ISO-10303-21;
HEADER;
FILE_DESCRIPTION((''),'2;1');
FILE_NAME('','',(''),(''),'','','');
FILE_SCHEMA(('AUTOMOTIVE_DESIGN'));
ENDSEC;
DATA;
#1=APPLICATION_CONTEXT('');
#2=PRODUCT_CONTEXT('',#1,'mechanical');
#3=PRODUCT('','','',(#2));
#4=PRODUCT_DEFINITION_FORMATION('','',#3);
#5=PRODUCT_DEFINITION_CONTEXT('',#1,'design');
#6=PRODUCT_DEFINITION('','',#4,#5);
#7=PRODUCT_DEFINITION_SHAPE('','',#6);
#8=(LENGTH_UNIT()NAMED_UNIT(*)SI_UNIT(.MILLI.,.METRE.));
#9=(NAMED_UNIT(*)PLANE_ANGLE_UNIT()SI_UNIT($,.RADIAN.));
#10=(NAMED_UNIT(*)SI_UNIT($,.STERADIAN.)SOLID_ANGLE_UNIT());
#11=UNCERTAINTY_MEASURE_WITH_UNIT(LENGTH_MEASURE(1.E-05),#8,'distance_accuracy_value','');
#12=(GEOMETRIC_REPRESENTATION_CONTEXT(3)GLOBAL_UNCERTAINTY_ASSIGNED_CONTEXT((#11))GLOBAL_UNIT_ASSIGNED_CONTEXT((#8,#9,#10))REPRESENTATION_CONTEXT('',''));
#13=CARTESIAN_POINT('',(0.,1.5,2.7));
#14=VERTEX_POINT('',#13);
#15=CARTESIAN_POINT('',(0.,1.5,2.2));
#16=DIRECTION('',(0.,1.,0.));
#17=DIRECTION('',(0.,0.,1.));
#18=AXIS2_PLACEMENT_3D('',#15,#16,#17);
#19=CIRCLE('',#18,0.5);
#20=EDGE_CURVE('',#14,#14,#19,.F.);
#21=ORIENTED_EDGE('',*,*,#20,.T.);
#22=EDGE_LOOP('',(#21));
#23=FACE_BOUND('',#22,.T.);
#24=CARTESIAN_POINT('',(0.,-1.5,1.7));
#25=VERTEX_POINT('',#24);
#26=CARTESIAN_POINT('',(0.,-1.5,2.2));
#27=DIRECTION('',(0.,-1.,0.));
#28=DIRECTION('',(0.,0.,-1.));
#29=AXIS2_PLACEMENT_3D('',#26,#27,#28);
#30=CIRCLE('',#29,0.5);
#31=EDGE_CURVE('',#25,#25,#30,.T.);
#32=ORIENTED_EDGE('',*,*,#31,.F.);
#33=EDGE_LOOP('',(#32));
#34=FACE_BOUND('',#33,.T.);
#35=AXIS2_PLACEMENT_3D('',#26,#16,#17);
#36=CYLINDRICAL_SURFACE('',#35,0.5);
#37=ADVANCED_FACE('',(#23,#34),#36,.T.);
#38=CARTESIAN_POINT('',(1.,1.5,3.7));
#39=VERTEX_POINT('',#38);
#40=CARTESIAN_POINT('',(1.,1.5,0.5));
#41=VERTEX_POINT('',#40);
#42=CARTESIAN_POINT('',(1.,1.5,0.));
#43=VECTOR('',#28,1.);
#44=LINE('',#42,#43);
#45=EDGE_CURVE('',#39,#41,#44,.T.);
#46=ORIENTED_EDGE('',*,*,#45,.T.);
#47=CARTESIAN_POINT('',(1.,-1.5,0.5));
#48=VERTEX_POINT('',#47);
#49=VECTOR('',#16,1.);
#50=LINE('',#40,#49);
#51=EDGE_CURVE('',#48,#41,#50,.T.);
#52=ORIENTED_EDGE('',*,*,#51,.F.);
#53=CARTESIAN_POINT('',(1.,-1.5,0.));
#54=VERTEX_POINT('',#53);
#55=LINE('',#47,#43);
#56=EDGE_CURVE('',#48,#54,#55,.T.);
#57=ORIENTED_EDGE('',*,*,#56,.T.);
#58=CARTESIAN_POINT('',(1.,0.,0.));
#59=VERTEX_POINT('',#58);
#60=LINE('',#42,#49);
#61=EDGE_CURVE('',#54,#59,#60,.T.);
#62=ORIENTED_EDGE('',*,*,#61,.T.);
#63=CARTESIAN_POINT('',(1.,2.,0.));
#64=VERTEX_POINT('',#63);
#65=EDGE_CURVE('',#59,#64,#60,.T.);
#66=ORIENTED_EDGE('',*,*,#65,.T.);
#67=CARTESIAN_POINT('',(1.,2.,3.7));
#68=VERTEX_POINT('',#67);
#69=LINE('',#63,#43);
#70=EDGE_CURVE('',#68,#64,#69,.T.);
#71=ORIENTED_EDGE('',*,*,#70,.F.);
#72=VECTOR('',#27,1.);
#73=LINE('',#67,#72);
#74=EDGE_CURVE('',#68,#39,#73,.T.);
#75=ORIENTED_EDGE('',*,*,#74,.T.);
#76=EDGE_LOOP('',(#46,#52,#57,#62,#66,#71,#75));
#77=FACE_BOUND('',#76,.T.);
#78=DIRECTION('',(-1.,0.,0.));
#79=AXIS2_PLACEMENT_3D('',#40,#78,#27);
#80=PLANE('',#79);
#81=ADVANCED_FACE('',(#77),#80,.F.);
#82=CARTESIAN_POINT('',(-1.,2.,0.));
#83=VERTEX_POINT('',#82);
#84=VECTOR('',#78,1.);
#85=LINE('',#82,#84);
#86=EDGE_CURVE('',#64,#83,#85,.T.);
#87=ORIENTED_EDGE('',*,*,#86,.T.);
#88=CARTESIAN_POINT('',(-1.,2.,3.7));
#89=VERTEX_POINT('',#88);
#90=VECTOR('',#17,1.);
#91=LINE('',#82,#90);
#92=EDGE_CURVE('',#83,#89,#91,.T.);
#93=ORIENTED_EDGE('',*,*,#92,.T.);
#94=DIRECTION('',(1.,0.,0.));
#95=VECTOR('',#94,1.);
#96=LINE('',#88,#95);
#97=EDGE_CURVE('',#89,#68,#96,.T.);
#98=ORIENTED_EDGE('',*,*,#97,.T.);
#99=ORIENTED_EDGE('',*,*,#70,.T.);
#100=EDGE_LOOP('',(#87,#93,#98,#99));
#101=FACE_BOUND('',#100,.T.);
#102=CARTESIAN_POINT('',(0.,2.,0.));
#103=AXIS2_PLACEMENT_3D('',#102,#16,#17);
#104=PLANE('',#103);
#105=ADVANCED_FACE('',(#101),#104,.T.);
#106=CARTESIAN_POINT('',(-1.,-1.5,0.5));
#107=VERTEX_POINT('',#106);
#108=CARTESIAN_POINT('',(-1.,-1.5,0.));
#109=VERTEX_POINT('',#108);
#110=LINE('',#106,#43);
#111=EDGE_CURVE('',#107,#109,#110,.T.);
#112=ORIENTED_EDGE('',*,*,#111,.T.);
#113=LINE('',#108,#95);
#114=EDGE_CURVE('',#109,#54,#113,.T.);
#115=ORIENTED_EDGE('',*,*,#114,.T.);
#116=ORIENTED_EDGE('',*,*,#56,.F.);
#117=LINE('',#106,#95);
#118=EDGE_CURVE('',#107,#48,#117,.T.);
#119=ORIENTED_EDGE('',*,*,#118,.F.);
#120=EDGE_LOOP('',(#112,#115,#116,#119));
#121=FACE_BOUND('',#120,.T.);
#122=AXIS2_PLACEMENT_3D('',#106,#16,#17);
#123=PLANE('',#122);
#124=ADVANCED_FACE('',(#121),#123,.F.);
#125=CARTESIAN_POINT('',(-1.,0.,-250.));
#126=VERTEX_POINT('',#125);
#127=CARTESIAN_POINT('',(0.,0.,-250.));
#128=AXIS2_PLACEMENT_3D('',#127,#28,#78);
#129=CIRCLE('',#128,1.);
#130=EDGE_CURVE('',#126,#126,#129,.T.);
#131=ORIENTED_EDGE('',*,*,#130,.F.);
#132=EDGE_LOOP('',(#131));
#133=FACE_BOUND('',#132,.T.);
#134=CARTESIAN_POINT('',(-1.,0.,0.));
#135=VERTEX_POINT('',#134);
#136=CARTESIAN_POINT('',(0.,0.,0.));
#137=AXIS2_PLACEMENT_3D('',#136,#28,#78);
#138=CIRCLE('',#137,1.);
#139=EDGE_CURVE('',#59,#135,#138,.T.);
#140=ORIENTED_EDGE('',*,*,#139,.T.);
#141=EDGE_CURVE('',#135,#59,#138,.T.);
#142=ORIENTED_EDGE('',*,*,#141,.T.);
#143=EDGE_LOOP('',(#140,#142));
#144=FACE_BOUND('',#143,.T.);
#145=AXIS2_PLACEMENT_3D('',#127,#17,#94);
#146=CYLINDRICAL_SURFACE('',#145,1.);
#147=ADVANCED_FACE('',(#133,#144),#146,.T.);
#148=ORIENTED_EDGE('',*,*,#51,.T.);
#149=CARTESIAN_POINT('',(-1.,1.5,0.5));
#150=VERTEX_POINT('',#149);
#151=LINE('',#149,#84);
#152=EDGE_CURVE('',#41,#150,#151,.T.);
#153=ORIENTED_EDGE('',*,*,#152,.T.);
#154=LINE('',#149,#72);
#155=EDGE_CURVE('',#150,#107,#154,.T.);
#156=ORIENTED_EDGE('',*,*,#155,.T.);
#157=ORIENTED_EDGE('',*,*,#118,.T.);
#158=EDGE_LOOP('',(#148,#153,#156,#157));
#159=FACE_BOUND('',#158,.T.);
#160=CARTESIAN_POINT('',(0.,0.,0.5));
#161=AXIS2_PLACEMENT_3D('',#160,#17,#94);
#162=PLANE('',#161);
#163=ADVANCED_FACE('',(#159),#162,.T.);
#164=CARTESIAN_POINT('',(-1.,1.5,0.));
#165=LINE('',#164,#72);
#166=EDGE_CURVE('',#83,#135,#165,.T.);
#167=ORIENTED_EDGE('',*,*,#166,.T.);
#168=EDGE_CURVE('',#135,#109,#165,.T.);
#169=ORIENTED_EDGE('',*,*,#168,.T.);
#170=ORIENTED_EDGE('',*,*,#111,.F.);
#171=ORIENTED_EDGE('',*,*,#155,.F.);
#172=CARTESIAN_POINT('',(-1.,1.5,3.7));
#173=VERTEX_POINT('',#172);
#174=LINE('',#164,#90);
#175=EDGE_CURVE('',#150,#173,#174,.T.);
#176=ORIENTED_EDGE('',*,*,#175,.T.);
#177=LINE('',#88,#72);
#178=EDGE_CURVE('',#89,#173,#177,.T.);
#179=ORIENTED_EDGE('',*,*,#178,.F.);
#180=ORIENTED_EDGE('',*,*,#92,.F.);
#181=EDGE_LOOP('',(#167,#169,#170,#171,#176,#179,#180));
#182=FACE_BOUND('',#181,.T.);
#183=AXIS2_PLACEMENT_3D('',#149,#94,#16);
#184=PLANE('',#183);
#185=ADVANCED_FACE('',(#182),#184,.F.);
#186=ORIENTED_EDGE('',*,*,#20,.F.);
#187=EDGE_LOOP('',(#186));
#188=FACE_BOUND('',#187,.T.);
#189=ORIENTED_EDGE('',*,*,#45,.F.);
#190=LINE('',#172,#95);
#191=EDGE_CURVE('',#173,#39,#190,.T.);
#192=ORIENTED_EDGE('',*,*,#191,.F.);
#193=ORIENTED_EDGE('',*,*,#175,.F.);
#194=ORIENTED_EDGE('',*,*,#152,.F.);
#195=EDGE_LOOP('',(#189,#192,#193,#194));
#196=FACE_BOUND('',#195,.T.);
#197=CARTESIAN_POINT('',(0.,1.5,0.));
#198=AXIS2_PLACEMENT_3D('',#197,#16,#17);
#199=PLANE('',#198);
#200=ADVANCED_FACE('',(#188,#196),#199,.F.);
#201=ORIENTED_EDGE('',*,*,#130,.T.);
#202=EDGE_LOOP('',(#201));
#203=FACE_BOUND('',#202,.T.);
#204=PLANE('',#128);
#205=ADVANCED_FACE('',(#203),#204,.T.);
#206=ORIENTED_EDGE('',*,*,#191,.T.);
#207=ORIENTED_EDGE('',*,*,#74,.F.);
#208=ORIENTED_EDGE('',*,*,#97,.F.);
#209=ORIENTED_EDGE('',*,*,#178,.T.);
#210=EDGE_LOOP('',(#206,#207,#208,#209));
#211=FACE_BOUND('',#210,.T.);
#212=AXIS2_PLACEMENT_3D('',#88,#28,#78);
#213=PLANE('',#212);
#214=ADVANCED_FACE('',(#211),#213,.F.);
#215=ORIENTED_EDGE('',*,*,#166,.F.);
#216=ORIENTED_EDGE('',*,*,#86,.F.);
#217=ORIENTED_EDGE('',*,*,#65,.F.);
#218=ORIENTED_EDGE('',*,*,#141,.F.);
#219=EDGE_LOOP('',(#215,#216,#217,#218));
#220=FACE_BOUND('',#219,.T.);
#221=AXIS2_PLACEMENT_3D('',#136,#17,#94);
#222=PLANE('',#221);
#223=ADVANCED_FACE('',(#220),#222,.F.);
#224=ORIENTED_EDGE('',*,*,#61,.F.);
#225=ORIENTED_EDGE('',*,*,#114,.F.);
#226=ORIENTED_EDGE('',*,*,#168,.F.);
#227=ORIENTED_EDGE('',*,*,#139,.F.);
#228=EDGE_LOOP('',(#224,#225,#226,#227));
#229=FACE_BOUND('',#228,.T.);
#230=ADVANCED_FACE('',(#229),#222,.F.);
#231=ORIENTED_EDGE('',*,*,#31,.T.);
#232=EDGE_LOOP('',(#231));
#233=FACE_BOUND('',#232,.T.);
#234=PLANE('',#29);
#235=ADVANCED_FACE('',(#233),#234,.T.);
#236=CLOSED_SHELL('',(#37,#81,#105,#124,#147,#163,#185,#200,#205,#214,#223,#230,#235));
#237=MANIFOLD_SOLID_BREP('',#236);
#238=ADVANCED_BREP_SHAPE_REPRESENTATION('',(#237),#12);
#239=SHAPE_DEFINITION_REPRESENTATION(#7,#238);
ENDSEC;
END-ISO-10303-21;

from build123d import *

# Parameters (mm, degrees)
SKETCH_1_W      = 2
SKETCH_1_H      = 3
EXTRUDE_1_DEPTH = 0.5
SKETCH_2_W      = 2
SKETCH_2_H      = 3.7
EXTRUDE_2_DEPTH = 0.5
SKETCH_3_R      = 1
EXTRUDE_3_DEPTH = 250
SKETCH_4_R      = 0.5
EXTRUDE_4_DEPTH = 3


with BuildPart() as part:
    # 草图1 → 凸台-拉伸1 (new body)
    with BuildSketch(Plane.XY):
        Rectangle(SKETCH_1_W, SKETCH_1_H)
    extrude(amount=EXTRUDE_1_DEPTH)

    # 草图2 → 凸台-拉伸2 (add)
    with BuildSketch(Plane(origin=(0, 1.5, 0), x_dir=(1, 0, 0), z_dir=(0, 1, 0))):
        with Locations((0, -1.85)):
            Rectangle(SKETCH_2_W, SKETCH_2_H)
    extrude(amount=EXTRUDE_2_DEPTH)

    # 草图3 → 凸台-拉伸3 (add)
    with BuildSketch(Plane(origin=(0, 0, 0), x_dir=(-1, 0, 0), z_dir=(0, 0, -1))):
        Circle(SKETCH_3_R)
    extrude(amount=EXTRUDE_3_DEPTH)

    # 草图4 → 凸台-拉伸4 (add)
    with BuildSketch(Plane.XZ.offset(-1.5)):
        with Locations(Location((0, 2.2, 0), (0, 0, 90))):
            Circle(SKETCH_4_R)
    extrude(amount=EXTRUDE_4_DEPTH)


solid = part.part
